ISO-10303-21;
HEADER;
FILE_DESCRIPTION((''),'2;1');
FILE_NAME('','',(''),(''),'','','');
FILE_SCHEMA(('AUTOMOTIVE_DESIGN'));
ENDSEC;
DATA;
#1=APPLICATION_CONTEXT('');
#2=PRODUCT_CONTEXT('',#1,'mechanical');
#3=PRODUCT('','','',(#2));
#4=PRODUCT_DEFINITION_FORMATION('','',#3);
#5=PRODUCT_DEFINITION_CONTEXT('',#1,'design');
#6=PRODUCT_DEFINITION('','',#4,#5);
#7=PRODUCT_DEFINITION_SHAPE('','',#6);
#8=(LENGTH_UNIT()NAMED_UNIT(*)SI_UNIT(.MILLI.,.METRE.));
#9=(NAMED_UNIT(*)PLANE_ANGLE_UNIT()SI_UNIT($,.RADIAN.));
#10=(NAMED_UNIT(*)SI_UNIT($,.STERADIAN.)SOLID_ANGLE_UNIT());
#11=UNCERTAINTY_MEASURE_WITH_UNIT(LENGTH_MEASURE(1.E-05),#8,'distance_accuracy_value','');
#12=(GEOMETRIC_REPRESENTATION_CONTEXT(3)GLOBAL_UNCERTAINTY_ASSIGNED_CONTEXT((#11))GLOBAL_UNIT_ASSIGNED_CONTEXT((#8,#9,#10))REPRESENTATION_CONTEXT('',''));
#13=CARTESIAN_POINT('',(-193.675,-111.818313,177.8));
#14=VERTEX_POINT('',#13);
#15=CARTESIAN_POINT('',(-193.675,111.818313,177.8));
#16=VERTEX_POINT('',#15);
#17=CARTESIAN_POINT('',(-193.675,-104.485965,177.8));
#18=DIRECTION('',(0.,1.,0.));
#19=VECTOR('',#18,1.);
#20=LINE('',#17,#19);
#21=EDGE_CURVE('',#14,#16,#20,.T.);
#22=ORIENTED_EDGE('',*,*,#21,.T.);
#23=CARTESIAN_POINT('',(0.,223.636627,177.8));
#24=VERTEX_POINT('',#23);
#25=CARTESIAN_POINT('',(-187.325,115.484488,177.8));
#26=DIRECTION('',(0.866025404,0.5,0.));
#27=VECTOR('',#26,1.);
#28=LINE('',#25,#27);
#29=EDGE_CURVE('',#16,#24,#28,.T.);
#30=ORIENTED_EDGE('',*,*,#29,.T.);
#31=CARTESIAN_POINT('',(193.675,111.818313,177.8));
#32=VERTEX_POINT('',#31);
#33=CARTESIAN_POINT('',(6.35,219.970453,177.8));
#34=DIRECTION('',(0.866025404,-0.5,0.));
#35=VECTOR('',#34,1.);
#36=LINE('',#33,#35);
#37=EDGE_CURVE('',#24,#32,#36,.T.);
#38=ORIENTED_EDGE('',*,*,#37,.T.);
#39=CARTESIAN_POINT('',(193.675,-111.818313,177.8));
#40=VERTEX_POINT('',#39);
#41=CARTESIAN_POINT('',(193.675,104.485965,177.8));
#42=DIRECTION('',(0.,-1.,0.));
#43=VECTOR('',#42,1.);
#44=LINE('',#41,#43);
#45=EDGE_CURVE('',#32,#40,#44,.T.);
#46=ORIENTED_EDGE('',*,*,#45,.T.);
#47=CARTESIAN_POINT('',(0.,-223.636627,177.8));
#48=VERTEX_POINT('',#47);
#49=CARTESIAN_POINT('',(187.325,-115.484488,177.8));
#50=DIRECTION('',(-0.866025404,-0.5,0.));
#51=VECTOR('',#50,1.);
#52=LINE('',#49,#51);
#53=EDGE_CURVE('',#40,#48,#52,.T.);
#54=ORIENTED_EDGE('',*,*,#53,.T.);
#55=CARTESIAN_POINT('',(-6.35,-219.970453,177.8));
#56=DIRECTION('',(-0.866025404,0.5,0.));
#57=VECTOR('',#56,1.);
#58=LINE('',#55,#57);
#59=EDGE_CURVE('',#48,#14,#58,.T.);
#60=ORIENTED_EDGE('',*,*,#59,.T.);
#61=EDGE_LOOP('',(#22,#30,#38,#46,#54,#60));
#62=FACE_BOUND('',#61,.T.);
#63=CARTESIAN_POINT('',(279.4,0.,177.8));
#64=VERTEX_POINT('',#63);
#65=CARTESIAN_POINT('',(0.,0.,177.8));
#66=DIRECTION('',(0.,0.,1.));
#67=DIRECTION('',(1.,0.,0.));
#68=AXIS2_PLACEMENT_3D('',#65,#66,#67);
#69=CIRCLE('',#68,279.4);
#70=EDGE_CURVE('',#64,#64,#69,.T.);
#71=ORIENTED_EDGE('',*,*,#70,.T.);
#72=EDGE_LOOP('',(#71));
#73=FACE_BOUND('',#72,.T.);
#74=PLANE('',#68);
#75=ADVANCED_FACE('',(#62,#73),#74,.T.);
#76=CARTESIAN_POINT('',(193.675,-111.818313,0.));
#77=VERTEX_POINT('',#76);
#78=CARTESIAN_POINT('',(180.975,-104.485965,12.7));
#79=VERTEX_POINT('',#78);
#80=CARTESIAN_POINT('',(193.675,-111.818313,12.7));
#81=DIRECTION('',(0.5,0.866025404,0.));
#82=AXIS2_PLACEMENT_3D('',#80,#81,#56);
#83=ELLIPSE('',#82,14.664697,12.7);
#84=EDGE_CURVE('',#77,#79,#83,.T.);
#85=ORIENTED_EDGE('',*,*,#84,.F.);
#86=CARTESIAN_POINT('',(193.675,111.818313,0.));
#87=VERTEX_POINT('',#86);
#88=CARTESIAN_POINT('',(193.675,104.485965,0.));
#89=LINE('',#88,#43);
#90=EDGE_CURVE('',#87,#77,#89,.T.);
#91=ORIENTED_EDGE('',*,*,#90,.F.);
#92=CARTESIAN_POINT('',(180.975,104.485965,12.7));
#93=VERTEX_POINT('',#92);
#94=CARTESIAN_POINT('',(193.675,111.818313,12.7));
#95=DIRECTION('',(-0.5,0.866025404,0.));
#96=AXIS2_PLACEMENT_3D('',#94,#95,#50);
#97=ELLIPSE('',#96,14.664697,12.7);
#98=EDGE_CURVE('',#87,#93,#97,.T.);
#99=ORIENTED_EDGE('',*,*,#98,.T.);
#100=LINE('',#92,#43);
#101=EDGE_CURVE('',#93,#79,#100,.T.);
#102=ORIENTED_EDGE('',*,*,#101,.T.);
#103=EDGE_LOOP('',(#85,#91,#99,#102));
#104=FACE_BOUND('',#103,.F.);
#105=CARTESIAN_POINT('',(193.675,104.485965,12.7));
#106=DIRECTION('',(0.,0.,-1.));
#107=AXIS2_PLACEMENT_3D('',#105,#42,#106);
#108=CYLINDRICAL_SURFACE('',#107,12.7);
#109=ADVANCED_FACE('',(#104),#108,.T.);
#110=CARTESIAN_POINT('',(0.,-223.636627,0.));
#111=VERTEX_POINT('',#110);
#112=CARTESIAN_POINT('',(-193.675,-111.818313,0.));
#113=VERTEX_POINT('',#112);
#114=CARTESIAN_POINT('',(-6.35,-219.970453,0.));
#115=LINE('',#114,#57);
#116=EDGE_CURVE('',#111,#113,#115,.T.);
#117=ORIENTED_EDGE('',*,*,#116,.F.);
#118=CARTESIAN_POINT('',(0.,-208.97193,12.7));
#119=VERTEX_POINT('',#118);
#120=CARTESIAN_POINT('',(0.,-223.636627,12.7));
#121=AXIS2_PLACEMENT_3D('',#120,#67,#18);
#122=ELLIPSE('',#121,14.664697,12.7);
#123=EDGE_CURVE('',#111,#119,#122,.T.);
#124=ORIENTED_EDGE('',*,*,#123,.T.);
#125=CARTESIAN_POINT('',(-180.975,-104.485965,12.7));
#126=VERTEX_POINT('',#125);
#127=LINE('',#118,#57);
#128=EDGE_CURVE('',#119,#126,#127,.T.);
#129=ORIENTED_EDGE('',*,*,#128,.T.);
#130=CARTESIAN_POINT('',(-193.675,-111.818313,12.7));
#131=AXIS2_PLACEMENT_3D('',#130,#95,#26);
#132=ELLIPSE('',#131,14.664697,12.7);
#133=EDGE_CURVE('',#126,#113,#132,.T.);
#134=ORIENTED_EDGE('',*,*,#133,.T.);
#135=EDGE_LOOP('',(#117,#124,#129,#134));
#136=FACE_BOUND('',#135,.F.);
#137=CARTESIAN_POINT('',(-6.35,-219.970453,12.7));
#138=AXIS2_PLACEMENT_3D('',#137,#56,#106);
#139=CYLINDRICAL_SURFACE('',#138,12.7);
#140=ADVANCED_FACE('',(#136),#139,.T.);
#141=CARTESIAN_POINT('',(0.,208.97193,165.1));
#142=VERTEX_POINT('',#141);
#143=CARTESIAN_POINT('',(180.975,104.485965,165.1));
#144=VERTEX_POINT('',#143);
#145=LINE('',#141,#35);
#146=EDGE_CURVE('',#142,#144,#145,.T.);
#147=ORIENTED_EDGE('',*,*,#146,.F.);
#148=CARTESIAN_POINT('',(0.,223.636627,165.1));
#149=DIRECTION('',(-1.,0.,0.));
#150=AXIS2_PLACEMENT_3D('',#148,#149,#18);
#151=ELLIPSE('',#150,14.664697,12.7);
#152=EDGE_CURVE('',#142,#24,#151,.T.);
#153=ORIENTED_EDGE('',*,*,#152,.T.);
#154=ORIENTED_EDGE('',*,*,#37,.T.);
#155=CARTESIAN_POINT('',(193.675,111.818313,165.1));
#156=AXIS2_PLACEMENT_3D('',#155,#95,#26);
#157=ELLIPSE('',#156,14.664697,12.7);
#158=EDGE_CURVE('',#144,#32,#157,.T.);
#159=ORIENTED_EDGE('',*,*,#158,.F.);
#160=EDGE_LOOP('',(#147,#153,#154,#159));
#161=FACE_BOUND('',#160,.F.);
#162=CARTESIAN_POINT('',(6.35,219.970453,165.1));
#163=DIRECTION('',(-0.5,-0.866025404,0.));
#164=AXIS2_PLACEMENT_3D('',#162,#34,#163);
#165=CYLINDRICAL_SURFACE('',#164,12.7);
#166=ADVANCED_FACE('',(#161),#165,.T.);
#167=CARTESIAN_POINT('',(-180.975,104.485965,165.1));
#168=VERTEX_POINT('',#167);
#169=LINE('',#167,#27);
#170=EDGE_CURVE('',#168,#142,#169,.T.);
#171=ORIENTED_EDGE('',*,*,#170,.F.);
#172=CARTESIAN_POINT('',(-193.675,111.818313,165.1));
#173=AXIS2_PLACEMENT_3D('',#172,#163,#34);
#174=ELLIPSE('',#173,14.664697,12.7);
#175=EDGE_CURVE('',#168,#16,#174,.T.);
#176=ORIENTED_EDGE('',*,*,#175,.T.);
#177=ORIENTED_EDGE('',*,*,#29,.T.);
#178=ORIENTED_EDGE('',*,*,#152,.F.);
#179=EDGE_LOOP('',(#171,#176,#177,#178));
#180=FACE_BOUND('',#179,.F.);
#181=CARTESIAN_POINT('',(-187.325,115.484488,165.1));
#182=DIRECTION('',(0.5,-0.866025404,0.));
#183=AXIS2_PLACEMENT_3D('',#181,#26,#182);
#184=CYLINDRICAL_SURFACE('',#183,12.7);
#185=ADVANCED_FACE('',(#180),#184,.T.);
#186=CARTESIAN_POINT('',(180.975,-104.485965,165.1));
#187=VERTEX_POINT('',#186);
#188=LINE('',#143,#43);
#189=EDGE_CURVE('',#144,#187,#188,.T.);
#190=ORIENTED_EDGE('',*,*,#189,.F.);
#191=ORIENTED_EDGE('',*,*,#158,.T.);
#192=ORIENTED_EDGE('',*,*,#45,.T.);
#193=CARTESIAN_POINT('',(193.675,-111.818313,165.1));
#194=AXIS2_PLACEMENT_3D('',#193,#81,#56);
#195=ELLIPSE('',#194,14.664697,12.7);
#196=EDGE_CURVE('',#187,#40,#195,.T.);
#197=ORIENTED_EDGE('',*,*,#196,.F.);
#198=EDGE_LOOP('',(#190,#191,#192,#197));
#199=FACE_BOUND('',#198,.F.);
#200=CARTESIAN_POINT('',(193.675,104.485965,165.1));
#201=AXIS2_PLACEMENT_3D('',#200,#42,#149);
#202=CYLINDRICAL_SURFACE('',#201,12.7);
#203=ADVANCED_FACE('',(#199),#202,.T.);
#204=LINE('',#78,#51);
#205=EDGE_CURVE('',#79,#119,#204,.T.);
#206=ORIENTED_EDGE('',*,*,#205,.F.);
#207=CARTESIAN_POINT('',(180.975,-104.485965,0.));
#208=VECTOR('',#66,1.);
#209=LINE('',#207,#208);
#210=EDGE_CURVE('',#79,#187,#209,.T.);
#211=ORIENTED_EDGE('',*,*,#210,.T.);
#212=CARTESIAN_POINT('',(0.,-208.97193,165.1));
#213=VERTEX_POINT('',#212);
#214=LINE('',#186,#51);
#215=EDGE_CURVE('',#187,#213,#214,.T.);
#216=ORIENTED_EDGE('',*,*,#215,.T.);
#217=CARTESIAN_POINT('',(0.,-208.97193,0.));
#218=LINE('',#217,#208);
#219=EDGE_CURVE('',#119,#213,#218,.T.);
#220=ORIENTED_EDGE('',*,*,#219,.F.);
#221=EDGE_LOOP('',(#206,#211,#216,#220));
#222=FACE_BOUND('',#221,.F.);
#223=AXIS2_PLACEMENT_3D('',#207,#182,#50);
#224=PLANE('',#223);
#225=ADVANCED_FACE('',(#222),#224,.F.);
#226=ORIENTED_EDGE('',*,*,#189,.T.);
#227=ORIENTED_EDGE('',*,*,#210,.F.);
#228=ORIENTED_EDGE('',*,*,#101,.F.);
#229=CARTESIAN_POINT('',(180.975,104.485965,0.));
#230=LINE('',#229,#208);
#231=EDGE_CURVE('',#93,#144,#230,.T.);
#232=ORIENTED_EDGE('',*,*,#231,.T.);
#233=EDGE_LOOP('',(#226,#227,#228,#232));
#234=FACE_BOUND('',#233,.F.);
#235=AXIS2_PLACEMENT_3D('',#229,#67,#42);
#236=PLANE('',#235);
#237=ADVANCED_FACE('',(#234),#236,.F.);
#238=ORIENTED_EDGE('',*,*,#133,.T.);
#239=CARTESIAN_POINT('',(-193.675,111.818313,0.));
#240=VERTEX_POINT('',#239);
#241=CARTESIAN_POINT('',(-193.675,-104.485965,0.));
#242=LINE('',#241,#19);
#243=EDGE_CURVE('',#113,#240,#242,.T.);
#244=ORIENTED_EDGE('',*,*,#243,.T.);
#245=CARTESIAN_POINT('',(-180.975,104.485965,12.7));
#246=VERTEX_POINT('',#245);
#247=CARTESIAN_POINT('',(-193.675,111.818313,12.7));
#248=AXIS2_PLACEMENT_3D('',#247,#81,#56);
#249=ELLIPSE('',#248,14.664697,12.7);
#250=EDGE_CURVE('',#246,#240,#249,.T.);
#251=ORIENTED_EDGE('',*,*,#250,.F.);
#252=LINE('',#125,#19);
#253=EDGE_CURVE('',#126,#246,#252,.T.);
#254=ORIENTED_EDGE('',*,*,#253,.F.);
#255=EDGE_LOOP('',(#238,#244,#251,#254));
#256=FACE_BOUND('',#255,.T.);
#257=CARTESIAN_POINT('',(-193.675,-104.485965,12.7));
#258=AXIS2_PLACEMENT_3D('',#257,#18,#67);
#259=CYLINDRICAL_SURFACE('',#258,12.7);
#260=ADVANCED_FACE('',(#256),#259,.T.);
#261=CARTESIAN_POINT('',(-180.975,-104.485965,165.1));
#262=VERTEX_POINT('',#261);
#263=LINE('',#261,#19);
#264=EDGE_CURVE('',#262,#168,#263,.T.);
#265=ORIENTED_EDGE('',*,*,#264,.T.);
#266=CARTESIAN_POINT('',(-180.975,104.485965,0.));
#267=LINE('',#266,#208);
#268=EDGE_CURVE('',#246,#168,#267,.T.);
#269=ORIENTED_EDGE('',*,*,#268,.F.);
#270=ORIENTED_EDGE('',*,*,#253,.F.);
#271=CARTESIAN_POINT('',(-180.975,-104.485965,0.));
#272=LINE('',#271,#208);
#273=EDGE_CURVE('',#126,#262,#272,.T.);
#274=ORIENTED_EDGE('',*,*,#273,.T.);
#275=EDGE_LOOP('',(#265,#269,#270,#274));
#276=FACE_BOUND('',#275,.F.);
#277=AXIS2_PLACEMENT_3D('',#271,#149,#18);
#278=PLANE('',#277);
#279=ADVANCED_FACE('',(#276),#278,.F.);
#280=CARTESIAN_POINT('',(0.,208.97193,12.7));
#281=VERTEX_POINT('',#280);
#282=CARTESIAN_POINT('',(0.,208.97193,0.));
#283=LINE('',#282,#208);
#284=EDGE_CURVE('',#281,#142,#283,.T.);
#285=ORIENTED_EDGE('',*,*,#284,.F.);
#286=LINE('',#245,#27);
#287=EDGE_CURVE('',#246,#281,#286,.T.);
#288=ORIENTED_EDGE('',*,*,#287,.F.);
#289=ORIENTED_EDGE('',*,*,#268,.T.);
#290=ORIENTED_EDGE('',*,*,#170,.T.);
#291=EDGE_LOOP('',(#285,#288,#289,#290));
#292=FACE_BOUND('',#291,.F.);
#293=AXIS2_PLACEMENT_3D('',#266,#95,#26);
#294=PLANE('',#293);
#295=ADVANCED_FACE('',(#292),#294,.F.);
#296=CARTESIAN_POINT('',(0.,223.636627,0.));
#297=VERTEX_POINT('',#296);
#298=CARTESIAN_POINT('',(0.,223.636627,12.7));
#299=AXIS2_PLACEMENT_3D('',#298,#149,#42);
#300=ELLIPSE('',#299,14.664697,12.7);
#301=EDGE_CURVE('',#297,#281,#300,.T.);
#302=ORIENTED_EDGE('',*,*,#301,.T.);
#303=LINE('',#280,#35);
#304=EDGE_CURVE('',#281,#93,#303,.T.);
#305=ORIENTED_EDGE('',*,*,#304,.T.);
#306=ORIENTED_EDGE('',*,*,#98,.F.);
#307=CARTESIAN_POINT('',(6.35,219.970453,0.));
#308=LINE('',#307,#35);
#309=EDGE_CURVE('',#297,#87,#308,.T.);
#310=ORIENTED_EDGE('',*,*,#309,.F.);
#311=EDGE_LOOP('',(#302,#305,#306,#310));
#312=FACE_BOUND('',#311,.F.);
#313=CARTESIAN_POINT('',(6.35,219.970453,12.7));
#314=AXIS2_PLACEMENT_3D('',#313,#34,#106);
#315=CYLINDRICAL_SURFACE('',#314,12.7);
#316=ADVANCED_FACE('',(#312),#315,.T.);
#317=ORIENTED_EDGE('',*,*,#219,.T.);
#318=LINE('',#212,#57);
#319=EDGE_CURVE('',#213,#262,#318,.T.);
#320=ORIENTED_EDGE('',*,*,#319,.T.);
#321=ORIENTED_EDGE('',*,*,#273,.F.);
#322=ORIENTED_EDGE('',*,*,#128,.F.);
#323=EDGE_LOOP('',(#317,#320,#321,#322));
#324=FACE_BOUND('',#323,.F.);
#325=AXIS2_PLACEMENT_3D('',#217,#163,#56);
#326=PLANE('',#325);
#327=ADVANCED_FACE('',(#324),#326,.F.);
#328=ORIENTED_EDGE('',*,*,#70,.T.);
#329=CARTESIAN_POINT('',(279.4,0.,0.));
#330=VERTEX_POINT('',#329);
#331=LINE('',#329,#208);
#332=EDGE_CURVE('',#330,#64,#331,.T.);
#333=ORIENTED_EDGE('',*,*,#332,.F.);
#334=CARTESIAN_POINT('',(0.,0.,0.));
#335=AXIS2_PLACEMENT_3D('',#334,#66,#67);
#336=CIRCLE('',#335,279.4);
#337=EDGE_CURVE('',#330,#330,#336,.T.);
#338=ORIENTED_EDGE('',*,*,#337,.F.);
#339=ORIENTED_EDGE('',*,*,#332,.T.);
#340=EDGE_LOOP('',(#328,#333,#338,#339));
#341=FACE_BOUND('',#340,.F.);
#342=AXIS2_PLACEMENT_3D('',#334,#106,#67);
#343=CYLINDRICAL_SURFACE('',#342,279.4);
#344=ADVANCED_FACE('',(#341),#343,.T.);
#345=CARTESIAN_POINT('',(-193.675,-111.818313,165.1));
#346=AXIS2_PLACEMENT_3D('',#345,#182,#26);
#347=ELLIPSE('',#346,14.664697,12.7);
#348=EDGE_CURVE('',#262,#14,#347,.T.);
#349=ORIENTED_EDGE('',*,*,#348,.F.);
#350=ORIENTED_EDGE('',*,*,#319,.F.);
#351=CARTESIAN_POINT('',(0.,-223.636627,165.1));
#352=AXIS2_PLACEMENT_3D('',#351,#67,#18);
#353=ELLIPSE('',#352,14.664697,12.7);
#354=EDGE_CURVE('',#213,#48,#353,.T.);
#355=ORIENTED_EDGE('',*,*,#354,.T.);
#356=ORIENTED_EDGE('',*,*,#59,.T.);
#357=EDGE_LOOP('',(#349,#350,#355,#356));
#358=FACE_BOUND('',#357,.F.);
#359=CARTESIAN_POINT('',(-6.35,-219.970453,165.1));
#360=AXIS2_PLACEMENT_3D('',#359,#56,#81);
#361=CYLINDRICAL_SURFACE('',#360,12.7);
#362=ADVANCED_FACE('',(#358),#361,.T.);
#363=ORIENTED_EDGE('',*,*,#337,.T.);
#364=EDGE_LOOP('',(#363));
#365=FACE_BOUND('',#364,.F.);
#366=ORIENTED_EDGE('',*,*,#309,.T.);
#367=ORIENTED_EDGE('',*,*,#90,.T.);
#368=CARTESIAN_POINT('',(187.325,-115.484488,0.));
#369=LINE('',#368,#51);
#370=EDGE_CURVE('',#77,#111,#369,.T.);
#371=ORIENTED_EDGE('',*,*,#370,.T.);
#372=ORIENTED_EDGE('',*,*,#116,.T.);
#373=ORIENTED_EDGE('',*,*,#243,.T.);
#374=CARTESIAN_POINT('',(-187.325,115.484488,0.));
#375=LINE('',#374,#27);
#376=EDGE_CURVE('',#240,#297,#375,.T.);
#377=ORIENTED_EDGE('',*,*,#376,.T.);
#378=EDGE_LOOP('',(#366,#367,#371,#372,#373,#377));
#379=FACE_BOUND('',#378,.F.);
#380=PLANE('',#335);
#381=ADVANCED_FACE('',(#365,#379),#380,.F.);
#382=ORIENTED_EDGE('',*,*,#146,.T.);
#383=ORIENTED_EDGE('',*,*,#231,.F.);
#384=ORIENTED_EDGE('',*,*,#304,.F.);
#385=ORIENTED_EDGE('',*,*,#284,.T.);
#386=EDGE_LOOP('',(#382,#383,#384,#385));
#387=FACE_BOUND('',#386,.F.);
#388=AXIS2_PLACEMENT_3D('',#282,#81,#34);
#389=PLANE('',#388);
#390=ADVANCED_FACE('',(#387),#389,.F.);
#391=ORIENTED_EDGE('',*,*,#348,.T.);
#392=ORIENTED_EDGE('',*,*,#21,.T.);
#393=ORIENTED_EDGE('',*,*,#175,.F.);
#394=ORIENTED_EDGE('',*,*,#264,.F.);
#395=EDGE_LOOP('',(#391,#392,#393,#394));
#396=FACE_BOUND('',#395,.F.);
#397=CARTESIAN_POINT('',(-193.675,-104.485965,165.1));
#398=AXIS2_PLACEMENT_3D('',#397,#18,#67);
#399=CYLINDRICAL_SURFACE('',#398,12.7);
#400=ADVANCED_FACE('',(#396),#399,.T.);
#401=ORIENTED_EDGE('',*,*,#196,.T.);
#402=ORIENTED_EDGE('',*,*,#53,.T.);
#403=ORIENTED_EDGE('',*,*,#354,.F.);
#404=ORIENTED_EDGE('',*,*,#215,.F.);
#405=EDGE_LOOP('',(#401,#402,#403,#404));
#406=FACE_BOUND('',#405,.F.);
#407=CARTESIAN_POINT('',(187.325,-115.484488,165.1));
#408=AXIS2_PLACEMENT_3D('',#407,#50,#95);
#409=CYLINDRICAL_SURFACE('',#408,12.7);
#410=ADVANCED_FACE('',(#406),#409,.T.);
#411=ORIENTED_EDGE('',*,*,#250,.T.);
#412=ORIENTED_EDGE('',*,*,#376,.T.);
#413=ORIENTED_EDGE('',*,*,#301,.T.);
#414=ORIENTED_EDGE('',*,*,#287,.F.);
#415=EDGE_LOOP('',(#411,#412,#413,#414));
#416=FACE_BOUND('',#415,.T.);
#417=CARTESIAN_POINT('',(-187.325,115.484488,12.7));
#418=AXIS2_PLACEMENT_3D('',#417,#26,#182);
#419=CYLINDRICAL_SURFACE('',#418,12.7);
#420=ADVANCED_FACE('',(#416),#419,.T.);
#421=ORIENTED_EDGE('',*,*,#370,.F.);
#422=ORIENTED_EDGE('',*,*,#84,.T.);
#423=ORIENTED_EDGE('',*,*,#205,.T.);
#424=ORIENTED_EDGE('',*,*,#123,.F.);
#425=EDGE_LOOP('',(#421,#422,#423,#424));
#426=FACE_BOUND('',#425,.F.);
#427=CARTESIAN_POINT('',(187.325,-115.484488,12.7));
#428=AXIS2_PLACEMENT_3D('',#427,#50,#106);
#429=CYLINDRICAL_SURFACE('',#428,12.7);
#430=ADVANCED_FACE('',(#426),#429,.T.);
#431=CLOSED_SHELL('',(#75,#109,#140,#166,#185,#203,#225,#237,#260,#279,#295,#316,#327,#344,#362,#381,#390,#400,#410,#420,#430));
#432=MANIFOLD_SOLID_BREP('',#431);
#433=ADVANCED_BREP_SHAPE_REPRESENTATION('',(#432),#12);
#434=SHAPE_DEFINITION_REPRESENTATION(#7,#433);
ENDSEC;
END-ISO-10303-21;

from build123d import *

# Parameters (mm, degrees)
F0_R     = 279.4
F1_DEPTH = 177.8
F2_R     = 12.7
F3_R     = 12.7


with BuildPart() as f1:
    # F0 (on Top) → F1 (new body)
    with BuildSketch(Plane.XY):
        Circle(F0_R)
        Polygon((0, 208.97193), (180.975, 104.485965), (180.975, -104.485965), (0, -208.97193), (-180.975, -104.485965), (-180.975, 104.485965), align=None, mode=Mode.SUBTRACT)
    extrude(amount=F1_DEPTH)

    # F2
    f2_edges = [f1.edges().sort_by_distance(p)[0] for p in [
        (-90.4875, 156.728947, 177.8),
        (90.4875, 156.728947, 177.8),
        (-180.975, 0, 177.8),
        (-90.4875, -156.728947, 177.8),
        (90.4875, -156.728947, 177.8),
        (180.975, 0, 177.8),
    ]]
    fillet(f2_edges, radius=F2_R)

    # F3
    f3_edges = [f1.edges().sort_by_distance(p)[0] for p in [
        (-180.975, 0, 0),
        (-90.4875, -156.728947, 0),
        (90.4875, -156.728947, 0),
        (180.975, 0, 0),
        (90.4875, 156.728947, 0),
        (-90.4875, 156.728947, 0),
    ]]
    fillet(f3_edges, radius=F3_R)


solid = f1.part
